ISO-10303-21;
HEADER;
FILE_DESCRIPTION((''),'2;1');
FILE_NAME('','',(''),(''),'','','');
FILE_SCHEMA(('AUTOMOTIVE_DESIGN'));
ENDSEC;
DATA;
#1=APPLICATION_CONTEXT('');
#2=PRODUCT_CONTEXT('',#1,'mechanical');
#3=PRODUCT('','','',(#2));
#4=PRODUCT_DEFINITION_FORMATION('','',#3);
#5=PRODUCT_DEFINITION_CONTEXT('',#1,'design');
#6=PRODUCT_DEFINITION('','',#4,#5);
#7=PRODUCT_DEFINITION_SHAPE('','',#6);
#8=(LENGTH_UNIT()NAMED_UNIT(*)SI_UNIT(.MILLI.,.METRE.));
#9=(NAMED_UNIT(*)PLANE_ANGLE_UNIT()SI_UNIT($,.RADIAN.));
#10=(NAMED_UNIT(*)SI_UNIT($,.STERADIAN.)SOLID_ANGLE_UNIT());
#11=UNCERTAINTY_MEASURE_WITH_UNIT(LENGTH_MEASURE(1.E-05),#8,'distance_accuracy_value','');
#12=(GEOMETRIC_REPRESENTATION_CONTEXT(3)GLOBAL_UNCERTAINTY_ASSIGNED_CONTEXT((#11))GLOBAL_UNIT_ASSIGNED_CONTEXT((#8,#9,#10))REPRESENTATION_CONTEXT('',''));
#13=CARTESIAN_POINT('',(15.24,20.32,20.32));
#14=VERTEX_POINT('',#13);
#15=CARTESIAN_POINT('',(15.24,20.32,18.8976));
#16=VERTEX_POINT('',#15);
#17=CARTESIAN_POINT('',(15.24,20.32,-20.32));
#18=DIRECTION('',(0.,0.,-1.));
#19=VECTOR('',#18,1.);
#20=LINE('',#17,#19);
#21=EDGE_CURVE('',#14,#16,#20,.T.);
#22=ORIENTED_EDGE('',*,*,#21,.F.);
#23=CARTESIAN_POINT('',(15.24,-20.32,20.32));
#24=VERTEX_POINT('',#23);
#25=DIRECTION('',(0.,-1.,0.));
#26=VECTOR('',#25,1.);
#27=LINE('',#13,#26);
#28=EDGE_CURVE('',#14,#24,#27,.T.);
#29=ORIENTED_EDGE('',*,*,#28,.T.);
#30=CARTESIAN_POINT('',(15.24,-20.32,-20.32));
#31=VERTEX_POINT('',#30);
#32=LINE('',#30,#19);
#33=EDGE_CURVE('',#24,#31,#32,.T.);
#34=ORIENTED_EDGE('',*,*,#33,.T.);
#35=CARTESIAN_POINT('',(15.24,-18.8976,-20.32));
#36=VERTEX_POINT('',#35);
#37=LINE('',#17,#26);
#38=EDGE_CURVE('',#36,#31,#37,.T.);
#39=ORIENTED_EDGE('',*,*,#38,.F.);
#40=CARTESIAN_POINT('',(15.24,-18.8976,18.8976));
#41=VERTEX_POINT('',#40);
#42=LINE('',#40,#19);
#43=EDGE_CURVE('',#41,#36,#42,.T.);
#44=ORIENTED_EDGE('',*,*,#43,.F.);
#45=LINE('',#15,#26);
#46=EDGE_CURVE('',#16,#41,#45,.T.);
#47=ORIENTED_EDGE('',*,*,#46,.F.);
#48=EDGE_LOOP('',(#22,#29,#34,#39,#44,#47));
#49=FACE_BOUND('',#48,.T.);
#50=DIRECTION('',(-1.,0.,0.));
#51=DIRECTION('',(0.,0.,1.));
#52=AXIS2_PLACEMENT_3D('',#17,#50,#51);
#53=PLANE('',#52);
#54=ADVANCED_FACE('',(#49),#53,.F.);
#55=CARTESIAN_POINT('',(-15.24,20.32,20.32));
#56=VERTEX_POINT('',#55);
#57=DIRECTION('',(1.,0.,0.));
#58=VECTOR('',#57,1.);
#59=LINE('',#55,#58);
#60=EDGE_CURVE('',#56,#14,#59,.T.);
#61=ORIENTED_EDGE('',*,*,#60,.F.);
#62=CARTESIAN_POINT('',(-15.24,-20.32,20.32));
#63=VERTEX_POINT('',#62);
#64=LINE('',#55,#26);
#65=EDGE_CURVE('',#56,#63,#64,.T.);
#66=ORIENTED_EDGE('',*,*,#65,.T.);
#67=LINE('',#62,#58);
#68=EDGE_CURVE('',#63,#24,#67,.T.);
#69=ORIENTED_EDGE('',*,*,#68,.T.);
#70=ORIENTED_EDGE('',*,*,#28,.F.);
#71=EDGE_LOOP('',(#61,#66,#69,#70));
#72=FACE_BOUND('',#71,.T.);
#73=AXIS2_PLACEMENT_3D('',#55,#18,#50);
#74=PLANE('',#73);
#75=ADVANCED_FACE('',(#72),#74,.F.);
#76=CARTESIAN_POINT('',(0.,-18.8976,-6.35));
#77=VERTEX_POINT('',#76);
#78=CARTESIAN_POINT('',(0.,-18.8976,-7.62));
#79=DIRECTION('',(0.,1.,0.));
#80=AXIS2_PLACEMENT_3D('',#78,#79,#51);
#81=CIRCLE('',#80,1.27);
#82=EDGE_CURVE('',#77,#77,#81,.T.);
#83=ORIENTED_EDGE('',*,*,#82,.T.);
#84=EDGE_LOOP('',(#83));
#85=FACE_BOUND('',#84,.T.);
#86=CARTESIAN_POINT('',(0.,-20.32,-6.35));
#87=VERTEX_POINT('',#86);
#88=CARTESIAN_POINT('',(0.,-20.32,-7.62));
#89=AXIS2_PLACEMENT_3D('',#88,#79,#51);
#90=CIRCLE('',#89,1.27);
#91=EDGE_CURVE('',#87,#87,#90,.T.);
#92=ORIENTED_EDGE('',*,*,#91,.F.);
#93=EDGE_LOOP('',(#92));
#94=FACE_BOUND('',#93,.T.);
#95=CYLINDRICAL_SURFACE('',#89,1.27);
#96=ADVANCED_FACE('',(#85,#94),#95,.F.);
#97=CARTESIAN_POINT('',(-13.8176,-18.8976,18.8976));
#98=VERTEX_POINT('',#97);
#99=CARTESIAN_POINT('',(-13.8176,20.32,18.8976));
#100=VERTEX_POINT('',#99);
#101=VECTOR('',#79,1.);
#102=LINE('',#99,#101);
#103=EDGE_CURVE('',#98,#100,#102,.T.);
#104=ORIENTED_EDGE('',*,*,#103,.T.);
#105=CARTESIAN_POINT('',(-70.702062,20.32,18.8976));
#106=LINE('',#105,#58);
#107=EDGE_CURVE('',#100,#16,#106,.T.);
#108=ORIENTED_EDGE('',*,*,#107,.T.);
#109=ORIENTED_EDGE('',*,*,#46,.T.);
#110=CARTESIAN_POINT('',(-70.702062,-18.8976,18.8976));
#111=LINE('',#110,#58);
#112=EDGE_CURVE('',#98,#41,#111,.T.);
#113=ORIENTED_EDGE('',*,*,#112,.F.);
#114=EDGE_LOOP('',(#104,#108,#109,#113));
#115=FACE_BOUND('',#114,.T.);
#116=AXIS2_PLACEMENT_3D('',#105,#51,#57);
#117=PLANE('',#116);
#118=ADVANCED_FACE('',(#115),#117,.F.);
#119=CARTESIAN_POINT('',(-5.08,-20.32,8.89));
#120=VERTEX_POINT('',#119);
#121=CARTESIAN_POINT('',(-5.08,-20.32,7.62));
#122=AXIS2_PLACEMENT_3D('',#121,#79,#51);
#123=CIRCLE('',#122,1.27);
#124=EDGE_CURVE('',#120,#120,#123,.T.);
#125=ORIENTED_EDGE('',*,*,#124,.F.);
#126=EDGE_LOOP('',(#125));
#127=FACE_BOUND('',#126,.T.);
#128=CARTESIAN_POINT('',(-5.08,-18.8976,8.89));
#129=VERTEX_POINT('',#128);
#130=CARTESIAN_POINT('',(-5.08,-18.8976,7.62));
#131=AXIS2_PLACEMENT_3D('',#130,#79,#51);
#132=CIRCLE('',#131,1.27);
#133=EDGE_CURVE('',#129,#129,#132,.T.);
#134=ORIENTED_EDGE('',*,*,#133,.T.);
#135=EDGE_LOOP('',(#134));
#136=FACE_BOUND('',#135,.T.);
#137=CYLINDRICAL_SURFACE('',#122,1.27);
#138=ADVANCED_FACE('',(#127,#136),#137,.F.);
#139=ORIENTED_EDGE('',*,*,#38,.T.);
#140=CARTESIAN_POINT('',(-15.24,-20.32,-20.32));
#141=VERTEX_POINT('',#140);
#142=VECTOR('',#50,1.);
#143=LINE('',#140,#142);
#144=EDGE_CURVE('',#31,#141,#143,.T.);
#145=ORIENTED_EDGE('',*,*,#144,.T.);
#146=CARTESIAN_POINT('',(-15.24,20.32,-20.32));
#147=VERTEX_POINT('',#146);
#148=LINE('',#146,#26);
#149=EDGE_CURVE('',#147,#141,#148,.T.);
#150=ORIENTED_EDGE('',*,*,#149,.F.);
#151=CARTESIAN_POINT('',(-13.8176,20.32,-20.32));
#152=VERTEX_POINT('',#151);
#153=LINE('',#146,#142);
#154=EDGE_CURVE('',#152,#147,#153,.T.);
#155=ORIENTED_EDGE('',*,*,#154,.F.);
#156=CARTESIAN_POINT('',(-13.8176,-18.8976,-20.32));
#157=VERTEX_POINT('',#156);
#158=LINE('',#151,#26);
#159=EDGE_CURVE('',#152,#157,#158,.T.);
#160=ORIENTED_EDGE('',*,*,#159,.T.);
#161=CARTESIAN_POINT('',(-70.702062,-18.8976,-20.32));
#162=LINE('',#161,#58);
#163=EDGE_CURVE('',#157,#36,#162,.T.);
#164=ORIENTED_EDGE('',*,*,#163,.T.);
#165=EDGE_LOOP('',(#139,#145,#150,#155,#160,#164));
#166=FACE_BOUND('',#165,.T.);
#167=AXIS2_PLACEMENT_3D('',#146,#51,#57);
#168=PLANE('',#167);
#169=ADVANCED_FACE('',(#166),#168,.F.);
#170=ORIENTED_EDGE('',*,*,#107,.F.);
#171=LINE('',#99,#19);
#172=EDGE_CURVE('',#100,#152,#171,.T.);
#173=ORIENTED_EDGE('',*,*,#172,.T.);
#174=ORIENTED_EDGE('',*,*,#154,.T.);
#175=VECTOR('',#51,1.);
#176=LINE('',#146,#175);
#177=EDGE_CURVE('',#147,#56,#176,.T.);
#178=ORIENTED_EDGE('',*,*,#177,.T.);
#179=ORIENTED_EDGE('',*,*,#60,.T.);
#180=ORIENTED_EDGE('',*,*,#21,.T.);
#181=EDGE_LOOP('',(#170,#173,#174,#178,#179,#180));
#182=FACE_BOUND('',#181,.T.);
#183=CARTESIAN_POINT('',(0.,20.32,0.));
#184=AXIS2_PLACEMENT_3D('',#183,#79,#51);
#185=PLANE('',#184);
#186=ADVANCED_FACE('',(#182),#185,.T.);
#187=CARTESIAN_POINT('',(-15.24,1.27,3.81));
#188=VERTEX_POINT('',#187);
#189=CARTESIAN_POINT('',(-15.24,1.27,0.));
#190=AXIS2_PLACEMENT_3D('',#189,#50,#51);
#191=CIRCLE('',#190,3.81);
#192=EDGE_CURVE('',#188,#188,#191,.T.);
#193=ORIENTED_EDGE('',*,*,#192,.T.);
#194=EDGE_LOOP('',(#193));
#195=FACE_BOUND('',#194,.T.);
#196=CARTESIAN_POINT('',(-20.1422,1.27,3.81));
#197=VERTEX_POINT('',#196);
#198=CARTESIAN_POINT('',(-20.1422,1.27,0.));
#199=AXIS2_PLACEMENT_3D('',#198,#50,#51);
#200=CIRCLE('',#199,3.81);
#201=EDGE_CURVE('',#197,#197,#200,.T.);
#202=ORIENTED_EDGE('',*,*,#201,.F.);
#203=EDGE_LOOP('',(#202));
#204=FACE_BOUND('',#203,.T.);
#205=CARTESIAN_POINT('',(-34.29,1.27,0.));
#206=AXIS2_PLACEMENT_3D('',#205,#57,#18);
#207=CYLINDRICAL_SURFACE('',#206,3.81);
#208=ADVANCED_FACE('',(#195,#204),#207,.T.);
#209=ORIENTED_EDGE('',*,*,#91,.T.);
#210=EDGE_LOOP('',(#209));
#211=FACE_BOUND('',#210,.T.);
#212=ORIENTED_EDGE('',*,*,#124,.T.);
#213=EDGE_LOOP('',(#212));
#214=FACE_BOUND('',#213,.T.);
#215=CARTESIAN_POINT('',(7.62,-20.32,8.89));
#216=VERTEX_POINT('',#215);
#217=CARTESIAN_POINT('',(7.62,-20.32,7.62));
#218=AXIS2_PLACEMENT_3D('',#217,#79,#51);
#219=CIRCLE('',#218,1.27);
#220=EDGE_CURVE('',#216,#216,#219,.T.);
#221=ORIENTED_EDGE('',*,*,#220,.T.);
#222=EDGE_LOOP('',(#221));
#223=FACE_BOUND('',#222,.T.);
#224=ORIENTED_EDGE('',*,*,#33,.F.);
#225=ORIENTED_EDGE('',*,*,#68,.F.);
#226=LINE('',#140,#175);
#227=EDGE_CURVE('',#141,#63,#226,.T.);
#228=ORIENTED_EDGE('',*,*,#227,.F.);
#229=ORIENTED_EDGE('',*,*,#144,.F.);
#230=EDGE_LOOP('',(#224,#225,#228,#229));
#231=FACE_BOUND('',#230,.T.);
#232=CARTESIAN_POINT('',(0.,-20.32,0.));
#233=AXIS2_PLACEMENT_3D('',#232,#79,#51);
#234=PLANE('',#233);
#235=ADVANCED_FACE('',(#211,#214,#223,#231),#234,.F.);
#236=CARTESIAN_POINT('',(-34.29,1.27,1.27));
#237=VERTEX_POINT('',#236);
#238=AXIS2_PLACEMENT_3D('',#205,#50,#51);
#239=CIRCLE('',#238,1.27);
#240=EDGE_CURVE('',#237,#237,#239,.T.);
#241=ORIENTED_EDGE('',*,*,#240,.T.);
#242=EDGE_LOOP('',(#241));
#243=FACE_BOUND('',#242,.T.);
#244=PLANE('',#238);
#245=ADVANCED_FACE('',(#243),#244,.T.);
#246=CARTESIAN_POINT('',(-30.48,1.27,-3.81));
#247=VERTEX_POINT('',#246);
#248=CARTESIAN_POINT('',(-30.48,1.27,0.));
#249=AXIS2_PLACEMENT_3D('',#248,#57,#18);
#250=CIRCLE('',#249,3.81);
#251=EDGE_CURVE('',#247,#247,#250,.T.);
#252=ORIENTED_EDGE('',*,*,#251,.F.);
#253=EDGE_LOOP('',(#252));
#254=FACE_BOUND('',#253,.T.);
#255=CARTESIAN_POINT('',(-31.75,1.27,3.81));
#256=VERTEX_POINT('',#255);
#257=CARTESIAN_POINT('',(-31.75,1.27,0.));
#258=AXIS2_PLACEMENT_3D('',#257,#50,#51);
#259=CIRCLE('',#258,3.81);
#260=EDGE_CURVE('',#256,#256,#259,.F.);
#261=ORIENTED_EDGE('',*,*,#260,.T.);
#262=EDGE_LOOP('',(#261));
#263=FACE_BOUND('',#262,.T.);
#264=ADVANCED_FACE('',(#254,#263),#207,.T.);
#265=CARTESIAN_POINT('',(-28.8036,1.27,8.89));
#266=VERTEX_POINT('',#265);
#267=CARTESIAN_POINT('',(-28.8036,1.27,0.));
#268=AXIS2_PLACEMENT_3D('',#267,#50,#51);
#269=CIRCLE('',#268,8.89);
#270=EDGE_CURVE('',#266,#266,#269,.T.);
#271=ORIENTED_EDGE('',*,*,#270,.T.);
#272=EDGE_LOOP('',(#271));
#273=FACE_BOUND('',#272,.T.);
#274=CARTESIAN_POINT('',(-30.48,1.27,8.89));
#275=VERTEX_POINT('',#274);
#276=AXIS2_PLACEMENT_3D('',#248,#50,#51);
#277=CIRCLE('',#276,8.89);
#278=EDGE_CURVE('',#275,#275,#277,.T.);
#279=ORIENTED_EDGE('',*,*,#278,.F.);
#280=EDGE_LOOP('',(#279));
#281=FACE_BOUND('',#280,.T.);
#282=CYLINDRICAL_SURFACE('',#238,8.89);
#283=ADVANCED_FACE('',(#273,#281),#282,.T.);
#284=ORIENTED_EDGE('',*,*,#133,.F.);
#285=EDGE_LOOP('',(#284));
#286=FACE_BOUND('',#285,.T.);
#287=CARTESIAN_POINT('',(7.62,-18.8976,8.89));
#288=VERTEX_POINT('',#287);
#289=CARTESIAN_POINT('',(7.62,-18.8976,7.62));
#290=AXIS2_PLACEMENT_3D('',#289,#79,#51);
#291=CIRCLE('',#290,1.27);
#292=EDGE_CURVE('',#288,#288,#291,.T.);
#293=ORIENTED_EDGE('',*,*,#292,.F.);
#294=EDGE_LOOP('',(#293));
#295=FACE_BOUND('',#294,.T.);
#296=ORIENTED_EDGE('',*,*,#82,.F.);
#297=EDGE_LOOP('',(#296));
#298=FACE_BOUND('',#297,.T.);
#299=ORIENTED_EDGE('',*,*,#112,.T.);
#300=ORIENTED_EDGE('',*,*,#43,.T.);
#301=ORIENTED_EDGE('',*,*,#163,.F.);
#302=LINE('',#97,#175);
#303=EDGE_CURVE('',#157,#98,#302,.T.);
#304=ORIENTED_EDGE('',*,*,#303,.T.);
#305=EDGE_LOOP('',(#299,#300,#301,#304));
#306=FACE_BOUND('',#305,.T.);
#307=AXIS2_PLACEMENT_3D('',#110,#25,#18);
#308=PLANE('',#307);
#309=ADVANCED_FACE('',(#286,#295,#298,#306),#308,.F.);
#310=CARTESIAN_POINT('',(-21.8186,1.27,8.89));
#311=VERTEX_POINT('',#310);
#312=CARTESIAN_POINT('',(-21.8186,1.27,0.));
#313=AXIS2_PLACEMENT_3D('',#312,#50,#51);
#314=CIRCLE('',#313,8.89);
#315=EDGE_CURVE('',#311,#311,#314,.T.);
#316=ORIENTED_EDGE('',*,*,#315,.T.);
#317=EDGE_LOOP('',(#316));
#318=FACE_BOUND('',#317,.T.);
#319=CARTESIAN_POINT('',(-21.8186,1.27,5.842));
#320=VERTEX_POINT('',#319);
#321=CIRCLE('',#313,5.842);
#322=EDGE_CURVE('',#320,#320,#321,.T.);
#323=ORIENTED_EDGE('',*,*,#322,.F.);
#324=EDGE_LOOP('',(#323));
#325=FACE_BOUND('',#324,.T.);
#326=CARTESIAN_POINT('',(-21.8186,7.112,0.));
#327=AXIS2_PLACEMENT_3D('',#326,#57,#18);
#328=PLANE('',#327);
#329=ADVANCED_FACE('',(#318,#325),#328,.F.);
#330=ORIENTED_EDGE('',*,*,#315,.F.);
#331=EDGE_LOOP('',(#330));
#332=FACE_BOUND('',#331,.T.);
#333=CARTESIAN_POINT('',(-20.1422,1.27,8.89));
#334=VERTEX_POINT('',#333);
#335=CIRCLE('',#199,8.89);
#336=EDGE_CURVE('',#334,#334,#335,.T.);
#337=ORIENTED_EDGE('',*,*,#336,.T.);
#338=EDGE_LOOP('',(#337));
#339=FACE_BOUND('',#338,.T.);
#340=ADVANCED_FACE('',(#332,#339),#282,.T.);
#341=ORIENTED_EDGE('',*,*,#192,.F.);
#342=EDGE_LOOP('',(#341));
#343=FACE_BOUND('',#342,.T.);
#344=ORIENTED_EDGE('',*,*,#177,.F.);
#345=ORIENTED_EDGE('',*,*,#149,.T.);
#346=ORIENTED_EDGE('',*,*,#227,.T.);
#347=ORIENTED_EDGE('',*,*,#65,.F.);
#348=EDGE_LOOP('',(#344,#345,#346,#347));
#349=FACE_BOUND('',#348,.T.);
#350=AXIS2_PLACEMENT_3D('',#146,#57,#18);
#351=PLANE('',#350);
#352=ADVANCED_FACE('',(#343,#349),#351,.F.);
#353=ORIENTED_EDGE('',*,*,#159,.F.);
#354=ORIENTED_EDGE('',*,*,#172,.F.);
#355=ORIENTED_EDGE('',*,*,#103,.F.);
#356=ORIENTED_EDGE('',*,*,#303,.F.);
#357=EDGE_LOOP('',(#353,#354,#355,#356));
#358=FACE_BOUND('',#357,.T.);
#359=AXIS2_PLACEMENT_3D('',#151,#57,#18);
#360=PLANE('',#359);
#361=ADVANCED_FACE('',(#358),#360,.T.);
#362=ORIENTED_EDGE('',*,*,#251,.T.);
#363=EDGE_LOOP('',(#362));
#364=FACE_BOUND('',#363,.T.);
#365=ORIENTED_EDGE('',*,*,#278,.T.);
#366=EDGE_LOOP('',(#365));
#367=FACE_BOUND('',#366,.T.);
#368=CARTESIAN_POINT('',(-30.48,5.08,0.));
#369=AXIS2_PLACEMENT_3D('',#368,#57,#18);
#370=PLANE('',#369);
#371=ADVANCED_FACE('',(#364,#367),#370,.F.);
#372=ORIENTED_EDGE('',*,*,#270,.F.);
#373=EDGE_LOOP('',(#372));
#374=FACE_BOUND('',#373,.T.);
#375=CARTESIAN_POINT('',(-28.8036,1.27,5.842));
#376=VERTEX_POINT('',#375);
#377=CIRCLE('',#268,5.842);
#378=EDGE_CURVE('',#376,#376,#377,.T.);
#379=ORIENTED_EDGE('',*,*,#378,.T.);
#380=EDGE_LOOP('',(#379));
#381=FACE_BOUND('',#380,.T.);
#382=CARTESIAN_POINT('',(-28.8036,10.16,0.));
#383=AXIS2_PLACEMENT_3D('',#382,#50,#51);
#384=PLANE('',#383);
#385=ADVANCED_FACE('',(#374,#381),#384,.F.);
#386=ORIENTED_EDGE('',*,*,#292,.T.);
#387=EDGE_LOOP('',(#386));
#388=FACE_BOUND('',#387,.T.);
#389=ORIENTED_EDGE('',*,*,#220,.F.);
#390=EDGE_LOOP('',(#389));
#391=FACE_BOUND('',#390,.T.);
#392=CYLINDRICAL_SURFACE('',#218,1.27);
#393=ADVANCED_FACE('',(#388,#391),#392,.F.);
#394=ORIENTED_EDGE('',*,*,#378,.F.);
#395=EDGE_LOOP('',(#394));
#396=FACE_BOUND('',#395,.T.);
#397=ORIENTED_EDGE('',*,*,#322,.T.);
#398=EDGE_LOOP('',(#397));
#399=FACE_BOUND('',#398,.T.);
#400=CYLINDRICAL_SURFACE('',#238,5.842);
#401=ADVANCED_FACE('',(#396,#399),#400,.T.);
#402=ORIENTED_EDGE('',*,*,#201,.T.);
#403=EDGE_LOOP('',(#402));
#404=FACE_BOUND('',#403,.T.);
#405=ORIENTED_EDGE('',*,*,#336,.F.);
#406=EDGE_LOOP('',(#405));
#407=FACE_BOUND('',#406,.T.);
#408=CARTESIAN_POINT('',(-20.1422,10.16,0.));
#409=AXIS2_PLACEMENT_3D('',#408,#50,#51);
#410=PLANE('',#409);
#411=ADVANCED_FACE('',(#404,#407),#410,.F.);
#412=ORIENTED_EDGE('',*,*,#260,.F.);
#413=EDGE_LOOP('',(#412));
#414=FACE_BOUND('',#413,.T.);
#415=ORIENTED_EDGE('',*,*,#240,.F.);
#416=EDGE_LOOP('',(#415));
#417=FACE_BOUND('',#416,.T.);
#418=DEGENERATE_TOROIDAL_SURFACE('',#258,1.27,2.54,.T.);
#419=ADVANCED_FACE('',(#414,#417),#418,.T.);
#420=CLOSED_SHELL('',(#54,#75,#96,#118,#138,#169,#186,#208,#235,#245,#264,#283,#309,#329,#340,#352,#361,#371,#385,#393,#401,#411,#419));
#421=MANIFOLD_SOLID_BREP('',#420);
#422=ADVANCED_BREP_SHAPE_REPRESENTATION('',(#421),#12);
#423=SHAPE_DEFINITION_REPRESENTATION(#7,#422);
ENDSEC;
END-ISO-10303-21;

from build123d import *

# Parameters (mm, degrees)
SKETCH1_W           = 30.48
SKETCH1_H           = 40.64
BOSS_EXTRUDE1_DEPTH = 20.32
SKETCH2_W           = 39.2176
SKETCH2_H           = 39.2176
CUT_EXTRUDE1_DEPTH  = 29.0576
SKETCH3_R           = 1.27
CUT_EXTRUDE2_DEPTH  = 2.4224
SKETCH4_R           = 3.81
BOSS_EXTRUDE2_DEPTH = 19.05
FILLET1_R           = 2.54


with BuildPart() as part:
    # Sketch1 → Boss-Extrude1 (new body, symmetric)
    with BuildSketch(Plane(origin=(0, 0, 0), x_dir=(1, 0, 0), z_dir=(0, 1, 0))):
        Rectangle(SKETCH1_W, SKETCH1_H)
    extrude(amount=BOSS_EXTRUDE1_DEPTH, both=True)

    # Sketch2 → Cut-Extrude1 (cut)
    with BuildSketch(Plane(origin=(15.24, 0, 0), x_dir=(0, 0, -1), z_dir=(1, 0, 0))):
        with Locations((0.7112, 0.7112)):
            Rectangle(SKETCH2_W, SKETCH2_H)
    extrude(amount=-CUT_EXTRUDE1_DEPTH, mode=Mode.SUBTRACT)

    # Sketch3 → Cut-Extrude2 (cut, through all)
    with BuildSketch(Plane(origin=(0, -18.8976, 0), x_dir=(1, 0, 0), z_dir=(0, 1, 0))):
        with Locations((-5.08, -7.62)):
            Circle(SKETCH3_R)
        with Locations((7.62, -7.62)):
            Circle(SKETCH3_R)
        with Locations((0, 7.62)):
            Circle(SKETCH3_R)
    extrude(amount=-CUT_EXTRUDE2_DEPTH, mode=Mode.SUBTRACT)

    # Sketch4 → Boss-Extrude2 (add)
    with BuildSketch(Plane.ZY.offset(15.24)):
        with Locations((0, 1.27)):
            Circle(SKETCH4_R)
    extrude(amount=BOSS_EXTRUDE2_DEPTH)

    # Sketch5 → Revolve1 (revolve)
    with BuildSketch(Plane.XY):
        Polygon((-30.48, 5.08), (-30.48, 10.16), (-28.8036, 10.16), (-28.8036, 7.112), (-21.8186, 7.112), (-21.8186, 10.16), (-20.1422, 10.16), (-20.1422, 5.08), align=None)
    revolve(axis=Axis((-34.29, 1.27, 0), (1, 0, 0)))

    # Fillet1
    fillet1_edges = [part.edges().sort_by_distance(p)[0] for p in [
        (-34.29, 1.27, -3.81),
    ]]
    fillet(fillet1_edges, radius=FILLET1_R)


solid = part.part
